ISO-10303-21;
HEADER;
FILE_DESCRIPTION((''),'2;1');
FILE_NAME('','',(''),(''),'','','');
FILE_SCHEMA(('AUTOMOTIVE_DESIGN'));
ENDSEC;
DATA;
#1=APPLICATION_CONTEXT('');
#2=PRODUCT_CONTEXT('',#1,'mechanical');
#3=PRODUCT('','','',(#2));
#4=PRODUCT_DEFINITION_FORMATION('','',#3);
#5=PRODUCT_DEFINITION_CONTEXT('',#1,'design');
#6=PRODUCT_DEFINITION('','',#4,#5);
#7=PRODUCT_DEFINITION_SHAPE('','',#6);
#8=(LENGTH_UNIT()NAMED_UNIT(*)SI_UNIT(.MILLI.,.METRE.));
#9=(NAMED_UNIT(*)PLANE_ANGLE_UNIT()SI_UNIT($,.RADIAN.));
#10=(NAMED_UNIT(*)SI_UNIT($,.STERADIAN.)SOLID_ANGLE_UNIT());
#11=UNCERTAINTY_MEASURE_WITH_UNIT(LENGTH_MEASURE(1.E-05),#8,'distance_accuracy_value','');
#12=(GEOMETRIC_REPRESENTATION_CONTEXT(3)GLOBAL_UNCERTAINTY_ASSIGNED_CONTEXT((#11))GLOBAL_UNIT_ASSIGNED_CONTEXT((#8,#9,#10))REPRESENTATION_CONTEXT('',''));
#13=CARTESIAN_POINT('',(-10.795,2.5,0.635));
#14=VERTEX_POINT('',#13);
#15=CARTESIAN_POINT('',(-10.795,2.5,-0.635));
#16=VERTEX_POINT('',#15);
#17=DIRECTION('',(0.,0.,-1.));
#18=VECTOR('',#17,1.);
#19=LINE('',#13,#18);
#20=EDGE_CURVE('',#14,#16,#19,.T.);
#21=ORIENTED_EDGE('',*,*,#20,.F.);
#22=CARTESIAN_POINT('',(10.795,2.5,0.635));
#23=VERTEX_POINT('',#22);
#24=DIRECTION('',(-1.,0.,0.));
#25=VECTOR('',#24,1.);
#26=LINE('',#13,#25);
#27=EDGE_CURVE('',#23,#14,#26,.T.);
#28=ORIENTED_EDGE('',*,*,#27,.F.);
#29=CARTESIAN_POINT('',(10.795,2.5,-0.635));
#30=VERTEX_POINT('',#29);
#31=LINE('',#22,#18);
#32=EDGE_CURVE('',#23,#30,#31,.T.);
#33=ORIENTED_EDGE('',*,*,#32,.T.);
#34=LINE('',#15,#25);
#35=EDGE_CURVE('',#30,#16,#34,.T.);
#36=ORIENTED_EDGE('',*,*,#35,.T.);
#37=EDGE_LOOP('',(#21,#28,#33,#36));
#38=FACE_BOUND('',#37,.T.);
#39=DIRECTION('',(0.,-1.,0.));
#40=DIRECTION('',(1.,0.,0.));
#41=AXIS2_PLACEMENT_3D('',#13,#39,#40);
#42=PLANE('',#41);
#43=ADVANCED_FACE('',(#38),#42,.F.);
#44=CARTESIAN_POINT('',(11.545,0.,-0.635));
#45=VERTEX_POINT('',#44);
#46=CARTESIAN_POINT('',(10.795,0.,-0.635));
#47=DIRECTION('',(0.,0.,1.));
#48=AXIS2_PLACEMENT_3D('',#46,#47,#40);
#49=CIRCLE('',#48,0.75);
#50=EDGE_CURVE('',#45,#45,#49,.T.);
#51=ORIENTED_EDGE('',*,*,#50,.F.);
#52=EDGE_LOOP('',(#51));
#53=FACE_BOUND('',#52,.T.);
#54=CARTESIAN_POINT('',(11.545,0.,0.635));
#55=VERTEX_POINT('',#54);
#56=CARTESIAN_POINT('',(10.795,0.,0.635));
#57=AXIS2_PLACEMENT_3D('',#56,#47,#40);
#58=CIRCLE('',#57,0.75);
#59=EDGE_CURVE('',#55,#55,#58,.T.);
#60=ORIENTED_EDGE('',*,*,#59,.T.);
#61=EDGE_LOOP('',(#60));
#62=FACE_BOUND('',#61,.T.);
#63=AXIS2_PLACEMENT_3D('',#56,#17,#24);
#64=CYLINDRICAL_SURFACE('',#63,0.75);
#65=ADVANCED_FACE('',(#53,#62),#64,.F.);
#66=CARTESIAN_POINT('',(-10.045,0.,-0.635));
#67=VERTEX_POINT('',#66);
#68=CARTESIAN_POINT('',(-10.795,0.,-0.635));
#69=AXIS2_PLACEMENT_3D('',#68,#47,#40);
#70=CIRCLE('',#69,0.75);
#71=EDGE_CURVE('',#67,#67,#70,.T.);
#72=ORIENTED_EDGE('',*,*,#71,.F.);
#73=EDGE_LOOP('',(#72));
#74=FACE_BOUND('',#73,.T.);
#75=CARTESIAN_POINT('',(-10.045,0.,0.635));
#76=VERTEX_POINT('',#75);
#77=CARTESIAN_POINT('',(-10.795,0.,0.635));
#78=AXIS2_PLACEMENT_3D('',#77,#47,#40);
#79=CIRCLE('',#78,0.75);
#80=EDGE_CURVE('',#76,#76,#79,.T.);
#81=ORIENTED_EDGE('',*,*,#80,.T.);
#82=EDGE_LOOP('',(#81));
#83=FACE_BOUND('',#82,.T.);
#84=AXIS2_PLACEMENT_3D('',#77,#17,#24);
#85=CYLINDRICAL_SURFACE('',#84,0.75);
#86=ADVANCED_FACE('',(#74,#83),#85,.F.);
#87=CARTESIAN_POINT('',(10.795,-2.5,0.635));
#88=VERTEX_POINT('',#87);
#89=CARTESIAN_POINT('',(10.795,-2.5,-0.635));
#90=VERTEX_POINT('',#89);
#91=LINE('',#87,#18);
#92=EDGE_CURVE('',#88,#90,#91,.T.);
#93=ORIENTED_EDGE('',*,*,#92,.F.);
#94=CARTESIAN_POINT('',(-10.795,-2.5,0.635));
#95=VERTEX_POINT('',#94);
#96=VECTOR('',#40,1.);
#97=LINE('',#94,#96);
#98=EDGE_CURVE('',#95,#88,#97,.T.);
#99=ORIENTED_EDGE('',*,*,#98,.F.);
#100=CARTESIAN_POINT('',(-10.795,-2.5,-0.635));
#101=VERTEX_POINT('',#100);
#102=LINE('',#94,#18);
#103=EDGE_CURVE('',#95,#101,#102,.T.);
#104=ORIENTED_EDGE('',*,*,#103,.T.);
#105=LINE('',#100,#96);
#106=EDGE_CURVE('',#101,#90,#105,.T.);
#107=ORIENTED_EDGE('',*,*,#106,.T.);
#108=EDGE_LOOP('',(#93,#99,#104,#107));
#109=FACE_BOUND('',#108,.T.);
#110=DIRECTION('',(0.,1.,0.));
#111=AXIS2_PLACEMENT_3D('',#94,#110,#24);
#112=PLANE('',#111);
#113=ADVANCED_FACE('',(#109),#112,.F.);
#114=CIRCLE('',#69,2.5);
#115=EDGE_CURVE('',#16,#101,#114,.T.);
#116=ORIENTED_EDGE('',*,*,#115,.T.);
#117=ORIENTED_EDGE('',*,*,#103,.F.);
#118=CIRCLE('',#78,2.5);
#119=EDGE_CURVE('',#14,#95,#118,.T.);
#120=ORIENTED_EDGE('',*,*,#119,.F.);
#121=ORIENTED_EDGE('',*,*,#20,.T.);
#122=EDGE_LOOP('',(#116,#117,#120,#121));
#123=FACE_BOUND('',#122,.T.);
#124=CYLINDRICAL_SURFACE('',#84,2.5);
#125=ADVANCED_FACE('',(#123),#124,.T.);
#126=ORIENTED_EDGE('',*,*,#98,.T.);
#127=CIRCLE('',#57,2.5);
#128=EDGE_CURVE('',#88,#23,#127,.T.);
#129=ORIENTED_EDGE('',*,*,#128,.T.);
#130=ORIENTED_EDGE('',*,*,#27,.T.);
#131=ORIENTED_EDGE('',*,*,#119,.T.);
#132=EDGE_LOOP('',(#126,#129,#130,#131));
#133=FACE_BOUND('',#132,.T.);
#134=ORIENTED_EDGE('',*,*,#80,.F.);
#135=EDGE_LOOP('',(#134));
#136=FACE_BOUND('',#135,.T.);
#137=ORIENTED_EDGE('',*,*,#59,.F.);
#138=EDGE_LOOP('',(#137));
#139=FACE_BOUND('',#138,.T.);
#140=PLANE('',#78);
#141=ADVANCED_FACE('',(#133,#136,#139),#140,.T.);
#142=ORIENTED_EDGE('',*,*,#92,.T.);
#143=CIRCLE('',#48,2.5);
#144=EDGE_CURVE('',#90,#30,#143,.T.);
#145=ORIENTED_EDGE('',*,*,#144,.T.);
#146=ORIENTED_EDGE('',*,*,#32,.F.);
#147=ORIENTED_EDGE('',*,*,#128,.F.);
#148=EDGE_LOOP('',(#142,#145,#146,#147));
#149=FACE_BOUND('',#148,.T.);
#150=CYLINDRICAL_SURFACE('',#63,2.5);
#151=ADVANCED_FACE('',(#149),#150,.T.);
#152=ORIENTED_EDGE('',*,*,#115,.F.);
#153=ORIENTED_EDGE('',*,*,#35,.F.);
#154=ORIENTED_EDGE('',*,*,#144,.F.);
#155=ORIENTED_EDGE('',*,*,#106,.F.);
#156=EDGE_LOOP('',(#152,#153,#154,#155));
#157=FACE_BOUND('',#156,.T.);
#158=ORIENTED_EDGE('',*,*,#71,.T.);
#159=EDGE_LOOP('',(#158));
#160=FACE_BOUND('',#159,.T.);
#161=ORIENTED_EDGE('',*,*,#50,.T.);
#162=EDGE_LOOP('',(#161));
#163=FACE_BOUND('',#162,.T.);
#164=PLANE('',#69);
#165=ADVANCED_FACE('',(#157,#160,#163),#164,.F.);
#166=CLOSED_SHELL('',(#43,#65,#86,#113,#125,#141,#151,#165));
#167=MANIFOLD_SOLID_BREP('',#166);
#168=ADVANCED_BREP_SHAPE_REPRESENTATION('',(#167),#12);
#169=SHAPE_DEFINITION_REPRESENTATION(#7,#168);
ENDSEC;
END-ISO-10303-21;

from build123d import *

# Parameters (mm, degrees)
SKETCH_2_R      = 0.75
EXTRUDE_1_DEPTH = 0.635


with BuildPart() as part:
    # 草圖2 → 填料-伸長1 (new body, symmetric)
    with BuildSketch(Plane.XY):
        with BuildLine():
            Line((-10.795, 2.5), (10.795, 2.5))
            ThreePointArc((10.795, 2.5), (13.295, 0), (10.795, -2.5))
            Line((10.795, -2.5), (-10.795, -2.5))
            ThreePointArc((-10.795, -2.5), (-13.295, 0), (-10.795, 2.5))
        make_face()
        with Locations((-10.795, 0)):
            Circle(SKETCH_2_R, mode=Mode.SUBTRACT)
        with Locations((10.795, 0)):
            Circle(SKETCH_2_R, mode=Mode.SUBTRACT)
    extrude(amount=EXTRUDE_1_DEPTH, both=True)


solid = part.part
